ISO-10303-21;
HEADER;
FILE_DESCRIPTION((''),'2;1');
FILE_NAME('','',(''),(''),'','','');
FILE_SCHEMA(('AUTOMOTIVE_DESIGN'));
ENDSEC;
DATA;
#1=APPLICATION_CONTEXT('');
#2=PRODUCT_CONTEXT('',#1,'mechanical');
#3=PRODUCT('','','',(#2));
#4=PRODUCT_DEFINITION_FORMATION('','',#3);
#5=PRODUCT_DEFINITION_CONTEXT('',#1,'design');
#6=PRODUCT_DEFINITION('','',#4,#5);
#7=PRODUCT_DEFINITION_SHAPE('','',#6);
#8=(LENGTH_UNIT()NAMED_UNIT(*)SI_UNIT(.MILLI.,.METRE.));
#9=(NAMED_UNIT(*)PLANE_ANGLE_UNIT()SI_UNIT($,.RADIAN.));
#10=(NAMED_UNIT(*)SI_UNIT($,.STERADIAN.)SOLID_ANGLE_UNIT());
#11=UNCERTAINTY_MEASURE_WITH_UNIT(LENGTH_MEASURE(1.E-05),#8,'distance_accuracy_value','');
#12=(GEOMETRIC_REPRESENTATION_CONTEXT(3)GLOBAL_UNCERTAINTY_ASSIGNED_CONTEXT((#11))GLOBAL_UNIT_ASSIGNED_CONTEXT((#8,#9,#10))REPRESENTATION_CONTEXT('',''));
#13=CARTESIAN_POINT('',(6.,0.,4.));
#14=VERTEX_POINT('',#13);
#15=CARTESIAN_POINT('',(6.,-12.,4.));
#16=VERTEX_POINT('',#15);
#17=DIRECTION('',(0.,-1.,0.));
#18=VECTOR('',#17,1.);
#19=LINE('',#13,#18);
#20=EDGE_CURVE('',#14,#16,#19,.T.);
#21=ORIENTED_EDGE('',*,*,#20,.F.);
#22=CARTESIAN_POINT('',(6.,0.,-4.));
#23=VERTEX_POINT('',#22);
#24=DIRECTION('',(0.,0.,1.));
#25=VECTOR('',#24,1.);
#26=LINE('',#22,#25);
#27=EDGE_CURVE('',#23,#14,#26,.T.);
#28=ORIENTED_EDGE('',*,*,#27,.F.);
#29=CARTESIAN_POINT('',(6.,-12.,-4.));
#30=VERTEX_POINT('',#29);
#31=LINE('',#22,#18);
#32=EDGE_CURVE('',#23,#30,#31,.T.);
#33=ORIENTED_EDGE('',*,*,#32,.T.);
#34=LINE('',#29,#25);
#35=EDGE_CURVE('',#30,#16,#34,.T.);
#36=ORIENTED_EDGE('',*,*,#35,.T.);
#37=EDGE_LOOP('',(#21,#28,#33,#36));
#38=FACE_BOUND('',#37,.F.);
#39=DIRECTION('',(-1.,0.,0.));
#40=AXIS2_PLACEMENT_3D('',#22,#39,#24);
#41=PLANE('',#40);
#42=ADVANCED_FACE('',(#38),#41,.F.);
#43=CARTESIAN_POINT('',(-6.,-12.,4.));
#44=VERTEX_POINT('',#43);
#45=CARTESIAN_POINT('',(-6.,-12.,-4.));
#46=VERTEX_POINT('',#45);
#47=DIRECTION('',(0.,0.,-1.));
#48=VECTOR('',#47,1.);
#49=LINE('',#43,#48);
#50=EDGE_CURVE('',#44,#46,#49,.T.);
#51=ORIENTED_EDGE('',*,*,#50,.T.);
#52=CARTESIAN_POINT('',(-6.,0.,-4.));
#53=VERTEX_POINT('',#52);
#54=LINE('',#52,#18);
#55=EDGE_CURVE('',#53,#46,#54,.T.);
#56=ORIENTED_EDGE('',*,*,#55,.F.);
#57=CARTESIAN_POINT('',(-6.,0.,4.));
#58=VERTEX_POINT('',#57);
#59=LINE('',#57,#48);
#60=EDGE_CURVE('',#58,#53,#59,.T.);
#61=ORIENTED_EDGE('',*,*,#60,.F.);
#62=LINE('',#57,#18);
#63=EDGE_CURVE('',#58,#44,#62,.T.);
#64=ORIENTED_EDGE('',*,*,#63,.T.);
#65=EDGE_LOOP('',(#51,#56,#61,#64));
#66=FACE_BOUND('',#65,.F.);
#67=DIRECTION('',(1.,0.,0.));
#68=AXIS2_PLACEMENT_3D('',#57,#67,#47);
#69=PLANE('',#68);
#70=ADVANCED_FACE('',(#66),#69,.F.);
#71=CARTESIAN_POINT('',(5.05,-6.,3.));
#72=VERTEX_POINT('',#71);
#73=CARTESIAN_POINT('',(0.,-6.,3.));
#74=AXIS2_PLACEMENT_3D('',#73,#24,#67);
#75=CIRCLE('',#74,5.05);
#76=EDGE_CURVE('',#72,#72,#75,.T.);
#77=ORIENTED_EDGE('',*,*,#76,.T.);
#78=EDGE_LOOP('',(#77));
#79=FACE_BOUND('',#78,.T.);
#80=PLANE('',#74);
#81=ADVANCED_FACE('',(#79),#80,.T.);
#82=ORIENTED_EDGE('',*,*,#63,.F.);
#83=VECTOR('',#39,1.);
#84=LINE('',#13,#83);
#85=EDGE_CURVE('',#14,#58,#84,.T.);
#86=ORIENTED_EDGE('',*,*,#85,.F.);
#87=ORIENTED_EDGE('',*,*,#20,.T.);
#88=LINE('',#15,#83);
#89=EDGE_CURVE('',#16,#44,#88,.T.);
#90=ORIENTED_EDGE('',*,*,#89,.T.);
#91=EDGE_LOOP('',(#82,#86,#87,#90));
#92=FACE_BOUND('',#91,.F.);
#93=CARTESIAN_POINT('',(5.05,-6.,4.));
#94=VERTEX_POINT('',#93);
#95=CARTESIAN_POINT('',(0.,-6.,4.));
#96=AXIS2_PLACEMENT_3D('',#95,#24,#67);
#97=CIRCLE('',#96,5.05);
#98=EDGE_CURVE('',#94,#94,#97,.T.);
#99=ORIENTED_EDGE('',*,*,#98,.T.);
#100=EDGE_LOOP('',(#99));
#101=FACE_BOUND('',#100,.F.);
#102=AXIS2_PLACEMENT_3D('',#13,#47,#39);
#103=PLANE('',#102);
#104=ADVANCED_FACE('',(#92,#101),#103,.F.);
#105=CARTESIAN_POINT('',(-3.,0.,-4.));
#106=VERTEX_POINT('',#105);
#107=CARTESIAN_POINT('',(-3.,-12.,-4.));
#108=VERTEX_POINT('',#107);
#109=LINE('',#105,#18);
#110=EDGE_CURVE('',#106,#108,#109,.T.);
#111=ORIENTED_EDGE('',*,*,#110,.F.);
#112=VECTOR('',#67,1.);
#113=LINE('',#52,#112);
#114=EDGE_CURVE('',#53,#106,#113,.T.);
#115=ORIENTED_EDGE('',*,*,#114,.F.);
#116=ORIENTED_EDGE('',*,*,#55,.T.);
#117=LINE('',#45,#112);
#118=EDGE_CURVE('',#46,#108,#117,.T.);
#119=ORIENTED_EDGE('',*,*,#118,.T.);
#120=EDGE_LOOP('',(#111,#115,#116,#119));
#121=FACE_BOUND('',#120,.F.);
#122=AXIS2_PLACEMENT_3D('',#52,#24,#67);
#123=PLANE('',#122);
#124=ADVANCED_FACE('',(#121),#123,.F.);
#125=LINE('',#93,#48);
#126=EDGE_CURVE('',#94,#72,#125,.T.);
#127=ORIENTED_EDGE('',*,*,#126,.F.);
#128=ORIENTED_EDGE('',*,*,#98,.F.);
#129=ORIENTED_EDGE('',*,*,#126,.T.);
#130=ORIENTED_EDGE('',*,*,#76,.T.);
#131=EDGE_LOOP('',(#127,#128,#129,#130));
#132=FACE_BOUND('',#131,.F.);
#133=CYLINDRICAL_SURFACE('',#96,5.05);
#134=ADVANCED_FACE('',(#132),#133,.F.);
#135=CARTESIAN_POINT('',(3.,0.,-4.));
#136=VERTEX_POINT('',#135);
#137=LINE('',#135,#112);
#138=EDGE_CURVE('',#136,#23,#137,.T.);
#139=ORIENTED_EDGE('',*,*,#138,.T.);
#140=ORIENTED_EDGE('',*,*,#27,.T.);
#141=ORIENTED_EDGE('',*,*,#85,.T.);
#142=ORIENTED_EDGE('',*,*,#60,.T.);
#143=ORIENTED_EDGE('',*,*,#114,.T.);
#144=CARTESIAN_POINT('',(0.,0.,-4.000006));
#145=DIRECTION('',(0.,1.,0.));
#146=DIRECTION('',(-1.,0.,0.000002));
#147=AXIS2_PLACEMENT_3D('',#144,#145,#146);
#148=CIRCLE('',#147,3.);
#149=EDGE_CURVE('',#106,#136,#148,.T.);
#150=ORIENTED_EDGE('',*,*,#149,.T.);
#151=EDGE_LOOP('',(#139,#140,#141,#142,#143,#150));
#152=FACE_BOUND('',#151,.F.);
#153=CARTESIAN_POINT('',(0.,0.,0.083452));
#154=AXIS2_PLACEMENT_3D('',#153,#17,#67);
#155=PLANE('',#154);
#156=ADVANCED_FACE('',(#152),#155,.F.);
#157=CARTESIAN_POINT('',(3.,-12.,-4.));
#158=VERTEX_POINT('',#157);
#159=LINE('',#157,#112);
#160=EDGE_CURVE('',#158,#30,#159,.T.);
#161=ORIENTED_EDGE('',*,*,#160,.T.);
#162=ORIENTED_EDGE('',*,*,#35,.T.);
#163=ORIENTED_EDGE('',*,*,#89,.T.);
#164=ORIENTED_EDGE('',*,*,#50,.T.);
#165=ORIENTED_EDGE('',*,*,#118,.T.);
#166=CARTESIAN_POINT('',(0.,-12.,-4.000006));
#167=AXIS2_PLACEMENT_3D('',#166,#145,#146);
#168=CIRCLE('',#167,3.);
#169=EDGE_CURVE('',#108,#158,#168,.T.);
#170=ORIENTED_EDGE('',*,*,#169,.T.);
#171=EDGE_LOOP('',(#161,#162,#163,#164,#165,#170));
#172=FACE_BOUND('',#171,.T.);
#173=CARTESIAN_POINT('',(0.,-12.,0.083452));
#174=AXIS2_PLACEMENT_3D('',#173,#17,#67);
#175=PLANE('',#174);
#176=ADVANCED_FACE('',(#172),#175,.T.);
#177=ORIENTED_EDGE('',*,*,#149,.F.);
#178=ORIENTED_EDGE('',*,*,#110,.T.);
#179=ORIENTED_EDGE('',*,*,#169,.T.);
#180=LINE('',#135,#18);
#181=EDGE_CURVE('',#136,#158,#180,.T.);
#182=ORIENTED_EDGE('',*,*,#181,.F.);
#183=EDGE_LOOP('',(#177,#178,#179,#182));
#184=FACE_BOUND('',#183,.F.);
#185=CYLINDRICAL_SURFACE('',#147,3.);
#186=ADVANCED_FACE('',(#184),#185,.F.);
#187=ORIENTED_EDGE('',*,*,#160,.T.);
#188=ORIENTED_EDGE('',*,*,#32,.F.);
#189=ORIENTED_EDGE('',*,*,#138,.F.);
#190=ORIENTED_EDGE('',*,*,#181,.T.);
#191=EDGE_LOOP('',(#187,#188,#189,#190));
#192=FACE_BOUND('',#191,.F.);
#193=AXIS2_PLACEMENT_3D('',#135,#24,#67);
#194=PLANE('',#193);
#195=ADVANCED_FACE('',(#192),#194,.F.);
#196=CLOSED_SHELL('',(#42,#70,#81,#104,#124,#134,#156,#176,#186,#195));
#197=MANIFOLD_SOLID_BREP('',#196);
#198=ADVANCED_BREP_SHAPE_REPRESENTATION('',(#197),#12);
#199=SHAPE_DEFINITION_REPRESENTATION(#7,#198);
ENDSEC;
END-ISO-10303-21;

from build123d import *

# Parameters (mm, degrees)
F1_DEPTH = 12
F2_R     = 5.05
F3_DEPTH = 1


with BuildPart() as f1:
    # F0 (on Front) → F1 (new body)
    with BuildSketch(Plane.XZ):
        with BuildLine():
            Line((6, 4), (-6, 4))
            Line((-6, 4), (-6, -4))
            Line((-6, -4), (-3, -4))
            ThreePointArc((-3, -4), (0, -1.000006), (3, -4))
            Line((3, -4), (6, -4))
            Line((6, -4), (6, 4))
        make_face()
    extrude(amount=F1_DEPTH)

    # F2 (on face) → F3 (cut)
    with BuildSketch(Plane.XY.offset(4)):
        with Locations((0, -6)):
            Circle(F2_R)
    extrude(amount=-F3_DEPTH, mode=Mode.SUBTRACT)


solid = f1.part
